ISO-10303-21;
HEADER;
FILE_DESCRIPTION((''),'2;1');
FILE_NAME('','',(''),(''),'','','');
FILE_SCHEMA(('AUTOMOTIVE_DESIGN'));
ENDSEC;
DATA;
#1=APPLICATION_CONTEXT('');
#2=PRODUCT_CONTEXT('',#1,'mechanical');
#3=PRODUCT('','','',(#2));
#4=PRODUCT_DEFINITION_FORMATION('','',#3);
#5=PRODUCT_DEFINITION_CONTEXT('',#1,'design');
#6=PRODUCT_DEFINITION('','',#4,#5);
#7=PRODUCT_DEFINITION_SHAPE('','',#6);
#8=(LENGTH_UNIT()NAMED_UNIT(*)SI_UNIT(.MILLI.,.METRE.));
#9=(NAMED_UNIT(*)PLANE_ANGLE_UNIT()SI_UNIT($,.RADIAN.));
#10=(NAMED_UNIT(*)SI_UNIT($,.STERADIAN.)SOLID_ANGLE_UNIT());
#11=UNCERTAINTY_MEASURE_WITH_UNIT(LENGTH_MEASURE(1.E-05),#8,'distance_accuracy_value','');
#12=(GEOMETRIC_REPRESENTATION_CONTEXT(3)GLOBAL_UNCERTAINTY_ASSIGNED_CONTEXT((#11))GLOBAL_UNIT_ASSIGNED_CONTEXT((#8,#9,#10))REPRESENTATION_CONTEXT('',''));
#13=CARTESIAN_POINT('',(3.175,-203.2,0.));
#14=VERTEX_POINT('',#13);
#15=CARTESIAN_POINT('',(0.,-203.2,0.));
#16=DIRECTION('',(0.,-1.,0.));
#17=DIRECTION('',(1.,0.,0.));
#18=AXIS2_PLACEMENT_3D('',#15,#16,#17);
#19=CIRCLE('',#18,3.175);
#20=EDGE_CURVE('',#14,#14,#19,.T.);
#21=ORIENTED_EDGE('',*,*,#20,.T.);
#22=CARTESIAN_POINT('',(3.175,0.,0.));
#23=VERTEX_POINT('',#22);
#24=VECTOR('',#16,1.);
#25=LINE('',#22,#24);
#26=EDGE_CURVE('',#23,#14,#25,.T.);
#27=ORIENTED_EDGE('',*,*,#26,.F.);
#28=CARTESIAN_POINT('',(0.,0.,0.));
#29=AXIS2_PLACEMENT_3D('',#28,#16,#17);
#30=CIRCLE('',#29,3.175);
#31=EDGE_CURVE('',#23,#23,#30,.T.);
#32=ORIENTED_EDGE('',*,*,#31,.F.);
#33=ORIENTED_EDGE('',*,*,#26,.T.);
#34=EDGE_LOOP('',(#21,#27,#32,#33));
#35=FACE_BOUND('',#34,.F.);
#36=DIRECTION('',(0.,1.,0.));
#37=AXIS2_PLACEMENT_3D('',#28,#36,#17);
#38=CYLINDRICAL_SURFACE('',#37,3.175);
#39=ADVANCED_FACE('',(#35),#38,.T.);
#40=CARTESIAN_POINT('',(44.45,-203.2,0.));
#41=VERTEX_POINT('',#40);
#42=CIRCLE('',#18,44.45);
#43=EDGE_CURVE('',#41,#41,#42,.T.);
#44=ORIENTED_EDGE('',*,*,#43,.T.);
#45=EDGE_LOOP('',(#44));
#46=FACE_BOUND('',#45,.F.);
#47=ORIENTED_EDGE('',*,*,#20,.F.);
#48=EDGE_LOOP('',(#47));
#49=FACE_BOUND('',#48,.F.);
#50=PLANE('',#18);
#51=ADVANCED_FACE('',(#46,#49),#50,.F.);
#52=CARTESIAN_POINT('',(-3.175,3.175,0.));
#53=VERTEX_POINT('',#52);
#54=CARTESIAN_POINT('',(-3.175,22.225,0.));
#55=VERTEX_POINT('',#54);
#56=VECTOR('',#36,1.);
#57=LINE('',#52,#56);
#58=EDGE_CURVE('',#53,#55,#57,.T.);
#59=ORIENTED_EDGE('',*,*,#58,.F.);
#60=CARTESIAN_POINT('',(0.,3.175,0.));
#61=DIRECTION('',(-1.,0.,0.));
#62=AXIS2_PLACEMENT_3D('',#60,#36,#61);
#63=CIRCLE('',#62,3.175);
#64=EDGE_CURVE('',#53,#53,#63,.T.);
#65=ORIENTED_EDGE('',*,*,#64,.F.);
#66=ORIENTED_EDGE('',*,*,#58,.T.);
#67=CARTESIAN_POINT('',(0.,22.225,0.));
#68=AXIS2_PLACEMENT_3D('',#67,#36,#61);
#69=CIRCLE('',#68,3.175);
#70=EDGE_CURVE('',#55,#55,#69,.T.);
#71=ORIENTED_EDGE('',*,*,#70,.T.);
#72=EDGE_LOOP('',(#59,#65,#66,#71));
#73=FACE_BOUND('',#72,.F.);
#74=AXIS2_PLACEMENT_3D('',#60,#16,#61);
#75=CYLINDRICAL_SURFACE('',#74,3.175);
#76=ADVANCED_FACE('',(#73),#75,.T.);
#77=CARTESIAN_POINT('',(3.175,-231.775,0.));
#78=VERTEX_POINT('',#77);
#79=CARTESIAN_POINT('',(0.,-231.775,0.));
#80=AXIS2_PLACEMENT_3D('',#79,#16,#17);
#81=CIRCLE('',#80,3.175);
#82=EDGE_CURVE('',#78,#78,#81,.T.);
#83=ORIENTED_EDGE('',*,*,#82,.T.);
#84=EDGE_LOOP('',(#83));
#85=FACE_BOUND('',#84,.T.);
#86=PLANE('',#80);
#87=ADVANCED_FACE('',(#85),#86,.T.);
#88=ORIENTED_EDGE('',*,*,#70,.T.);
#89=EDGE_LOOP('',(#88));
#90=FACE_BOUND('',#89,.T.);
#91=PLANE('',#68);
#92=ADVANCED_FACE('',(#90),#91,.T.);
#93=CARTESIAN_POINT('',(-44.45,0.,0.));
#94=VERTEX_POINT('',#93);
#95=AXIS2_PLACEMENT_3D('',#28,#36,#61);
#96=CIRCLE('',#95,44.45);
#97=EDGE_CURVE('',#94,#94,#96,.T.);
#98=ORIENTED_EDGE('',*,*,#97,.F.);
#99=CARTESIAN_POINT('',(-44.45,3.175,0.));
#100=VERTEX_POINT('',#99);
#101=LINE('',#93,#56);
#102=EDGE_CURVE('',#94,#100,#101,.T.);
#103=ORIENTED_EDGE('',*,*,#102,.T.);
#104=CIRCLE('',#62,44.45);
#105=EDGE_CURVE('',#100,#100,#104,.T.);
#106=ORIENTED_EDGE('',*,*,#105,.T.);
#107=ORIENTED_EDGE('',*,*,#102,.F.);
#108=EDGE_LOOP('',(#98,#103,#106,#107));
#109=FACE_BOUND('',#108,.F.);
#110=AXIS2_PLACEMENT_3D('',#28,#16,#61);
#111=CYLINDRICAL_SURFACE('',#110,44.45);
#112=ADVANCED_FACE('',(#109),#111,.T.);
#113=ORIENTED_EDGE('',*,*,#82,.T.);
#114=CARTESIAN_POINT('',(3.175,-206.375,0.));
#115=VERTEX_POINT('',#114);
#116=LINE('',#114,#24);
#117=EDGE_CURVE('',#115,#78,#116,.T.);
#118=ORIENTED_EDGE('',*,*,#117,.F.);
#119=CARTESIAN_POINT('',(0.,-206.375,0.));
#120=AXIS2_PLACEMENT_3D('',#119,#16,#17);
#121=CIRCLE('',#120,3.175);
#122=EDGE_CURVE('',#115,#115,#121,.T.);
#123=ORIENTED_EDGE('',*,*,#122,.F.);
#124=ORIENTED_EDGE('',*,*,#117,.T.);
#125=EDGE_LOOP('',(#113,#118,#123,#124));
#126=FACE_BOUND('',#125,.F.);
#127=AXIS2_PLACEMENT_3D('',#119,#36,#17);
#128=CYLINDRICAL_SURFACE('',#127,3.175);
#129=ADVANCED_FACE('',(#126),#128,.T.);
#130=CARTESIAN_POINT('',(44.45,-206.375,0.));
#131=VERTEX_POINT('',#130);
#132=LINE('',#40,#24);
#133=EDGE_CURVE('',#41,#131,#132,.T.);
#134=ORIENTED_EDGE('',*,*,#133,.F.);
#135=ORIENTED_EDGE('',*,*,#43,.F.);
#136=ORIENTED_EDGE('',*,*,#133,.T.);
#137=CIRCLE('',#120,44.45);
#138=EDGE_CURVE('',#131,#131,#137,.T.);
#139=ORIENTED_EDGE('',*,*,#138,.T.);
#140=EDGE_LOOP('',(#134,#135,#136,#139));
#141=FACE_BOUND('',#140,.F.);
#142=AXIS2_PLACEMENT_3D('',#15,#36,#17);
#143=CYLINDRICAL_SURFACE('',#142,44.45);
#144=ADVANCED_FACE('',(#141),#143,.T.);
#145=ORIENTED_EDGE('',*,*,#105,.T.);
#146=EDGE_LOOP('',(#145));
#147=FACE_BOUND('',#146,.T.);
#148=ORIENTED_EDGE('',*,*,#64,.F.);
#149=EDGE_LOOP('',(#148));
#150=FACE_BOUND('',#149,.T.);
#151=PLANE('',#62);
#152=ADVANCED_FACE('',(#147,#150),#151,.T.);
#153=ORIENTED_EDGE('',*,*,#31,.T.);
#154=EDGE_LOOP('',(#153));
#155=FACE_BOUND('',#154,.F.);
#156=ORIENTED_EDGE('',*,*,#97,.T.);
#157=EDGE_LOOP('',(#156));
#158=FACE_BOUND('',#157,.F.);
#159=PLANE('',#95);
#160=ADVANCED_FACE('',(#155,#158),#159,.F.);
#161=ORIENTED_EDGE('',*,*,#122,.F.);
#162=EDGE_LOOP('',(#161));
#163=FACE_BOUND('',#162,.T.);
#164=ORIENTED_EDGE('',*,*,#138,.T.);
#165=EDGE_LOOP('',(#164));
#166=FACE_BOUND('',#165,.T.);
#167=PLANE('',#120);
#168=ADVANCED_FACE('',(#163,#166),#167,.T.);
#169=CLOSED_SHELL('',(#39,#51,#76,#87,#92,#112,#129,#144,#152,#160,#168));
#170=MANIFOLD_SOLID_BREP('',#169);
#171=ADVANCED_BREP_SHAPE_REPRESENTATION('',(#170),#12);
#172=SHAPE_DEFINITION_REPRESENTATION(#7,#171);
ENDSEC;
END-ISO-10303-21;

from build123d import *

# Parameters (mm, degrees)
F0_R     = 3.175
F1_DEPTH = 203.2
F2_R     = 44.45
F3_DEPTH = 3.175
F4_R     = 44.45
F5_DEPTH = 3.175
F6_R     = 3.175
F7_DEPTH = 25.4
F8_R     = 3.175
F9_DEPTH = 19.05


with BuildPart() as f1:
    # F0 (on Front) → F1 (new body)
    with BuildSketch(Plane.XZ):
        Circle(F0_R)
    extrude(amount=F1_DEPTH)

    # F2 (on face) → F3 (join)
    with BuildSketch(Plane.XZ.offset(203.2)):
        Circle(F2_R)
    extrude(amount=F3_DEPTH)

    # F4 (on face) → F5 (join)
    with BuildSketch(Plane(origin=(0, 0, 0), x_dir=(-1, 0, 0), z_dir=(0, 1, 0))):
        Circle(F4_R)
    extrude(amount=F5_DEPTH)

    # F6 (on face) → F7 (join)
    with BuildSketch(Plane.XZ.offset(206.375)):
        Circle(F6_R)
    extrude(amount=F7_DEPTH)

    # F8 (on face) → F9 (join)
    with BuildSketch(Plane(origin=(0, 3.175, 0), x_dir=(-1, 0, 0), z_dir=(0, 1, 0))):
        Circle(F8_R)
    extrude(amount=F9_DEPTH)


solid = f1.part
